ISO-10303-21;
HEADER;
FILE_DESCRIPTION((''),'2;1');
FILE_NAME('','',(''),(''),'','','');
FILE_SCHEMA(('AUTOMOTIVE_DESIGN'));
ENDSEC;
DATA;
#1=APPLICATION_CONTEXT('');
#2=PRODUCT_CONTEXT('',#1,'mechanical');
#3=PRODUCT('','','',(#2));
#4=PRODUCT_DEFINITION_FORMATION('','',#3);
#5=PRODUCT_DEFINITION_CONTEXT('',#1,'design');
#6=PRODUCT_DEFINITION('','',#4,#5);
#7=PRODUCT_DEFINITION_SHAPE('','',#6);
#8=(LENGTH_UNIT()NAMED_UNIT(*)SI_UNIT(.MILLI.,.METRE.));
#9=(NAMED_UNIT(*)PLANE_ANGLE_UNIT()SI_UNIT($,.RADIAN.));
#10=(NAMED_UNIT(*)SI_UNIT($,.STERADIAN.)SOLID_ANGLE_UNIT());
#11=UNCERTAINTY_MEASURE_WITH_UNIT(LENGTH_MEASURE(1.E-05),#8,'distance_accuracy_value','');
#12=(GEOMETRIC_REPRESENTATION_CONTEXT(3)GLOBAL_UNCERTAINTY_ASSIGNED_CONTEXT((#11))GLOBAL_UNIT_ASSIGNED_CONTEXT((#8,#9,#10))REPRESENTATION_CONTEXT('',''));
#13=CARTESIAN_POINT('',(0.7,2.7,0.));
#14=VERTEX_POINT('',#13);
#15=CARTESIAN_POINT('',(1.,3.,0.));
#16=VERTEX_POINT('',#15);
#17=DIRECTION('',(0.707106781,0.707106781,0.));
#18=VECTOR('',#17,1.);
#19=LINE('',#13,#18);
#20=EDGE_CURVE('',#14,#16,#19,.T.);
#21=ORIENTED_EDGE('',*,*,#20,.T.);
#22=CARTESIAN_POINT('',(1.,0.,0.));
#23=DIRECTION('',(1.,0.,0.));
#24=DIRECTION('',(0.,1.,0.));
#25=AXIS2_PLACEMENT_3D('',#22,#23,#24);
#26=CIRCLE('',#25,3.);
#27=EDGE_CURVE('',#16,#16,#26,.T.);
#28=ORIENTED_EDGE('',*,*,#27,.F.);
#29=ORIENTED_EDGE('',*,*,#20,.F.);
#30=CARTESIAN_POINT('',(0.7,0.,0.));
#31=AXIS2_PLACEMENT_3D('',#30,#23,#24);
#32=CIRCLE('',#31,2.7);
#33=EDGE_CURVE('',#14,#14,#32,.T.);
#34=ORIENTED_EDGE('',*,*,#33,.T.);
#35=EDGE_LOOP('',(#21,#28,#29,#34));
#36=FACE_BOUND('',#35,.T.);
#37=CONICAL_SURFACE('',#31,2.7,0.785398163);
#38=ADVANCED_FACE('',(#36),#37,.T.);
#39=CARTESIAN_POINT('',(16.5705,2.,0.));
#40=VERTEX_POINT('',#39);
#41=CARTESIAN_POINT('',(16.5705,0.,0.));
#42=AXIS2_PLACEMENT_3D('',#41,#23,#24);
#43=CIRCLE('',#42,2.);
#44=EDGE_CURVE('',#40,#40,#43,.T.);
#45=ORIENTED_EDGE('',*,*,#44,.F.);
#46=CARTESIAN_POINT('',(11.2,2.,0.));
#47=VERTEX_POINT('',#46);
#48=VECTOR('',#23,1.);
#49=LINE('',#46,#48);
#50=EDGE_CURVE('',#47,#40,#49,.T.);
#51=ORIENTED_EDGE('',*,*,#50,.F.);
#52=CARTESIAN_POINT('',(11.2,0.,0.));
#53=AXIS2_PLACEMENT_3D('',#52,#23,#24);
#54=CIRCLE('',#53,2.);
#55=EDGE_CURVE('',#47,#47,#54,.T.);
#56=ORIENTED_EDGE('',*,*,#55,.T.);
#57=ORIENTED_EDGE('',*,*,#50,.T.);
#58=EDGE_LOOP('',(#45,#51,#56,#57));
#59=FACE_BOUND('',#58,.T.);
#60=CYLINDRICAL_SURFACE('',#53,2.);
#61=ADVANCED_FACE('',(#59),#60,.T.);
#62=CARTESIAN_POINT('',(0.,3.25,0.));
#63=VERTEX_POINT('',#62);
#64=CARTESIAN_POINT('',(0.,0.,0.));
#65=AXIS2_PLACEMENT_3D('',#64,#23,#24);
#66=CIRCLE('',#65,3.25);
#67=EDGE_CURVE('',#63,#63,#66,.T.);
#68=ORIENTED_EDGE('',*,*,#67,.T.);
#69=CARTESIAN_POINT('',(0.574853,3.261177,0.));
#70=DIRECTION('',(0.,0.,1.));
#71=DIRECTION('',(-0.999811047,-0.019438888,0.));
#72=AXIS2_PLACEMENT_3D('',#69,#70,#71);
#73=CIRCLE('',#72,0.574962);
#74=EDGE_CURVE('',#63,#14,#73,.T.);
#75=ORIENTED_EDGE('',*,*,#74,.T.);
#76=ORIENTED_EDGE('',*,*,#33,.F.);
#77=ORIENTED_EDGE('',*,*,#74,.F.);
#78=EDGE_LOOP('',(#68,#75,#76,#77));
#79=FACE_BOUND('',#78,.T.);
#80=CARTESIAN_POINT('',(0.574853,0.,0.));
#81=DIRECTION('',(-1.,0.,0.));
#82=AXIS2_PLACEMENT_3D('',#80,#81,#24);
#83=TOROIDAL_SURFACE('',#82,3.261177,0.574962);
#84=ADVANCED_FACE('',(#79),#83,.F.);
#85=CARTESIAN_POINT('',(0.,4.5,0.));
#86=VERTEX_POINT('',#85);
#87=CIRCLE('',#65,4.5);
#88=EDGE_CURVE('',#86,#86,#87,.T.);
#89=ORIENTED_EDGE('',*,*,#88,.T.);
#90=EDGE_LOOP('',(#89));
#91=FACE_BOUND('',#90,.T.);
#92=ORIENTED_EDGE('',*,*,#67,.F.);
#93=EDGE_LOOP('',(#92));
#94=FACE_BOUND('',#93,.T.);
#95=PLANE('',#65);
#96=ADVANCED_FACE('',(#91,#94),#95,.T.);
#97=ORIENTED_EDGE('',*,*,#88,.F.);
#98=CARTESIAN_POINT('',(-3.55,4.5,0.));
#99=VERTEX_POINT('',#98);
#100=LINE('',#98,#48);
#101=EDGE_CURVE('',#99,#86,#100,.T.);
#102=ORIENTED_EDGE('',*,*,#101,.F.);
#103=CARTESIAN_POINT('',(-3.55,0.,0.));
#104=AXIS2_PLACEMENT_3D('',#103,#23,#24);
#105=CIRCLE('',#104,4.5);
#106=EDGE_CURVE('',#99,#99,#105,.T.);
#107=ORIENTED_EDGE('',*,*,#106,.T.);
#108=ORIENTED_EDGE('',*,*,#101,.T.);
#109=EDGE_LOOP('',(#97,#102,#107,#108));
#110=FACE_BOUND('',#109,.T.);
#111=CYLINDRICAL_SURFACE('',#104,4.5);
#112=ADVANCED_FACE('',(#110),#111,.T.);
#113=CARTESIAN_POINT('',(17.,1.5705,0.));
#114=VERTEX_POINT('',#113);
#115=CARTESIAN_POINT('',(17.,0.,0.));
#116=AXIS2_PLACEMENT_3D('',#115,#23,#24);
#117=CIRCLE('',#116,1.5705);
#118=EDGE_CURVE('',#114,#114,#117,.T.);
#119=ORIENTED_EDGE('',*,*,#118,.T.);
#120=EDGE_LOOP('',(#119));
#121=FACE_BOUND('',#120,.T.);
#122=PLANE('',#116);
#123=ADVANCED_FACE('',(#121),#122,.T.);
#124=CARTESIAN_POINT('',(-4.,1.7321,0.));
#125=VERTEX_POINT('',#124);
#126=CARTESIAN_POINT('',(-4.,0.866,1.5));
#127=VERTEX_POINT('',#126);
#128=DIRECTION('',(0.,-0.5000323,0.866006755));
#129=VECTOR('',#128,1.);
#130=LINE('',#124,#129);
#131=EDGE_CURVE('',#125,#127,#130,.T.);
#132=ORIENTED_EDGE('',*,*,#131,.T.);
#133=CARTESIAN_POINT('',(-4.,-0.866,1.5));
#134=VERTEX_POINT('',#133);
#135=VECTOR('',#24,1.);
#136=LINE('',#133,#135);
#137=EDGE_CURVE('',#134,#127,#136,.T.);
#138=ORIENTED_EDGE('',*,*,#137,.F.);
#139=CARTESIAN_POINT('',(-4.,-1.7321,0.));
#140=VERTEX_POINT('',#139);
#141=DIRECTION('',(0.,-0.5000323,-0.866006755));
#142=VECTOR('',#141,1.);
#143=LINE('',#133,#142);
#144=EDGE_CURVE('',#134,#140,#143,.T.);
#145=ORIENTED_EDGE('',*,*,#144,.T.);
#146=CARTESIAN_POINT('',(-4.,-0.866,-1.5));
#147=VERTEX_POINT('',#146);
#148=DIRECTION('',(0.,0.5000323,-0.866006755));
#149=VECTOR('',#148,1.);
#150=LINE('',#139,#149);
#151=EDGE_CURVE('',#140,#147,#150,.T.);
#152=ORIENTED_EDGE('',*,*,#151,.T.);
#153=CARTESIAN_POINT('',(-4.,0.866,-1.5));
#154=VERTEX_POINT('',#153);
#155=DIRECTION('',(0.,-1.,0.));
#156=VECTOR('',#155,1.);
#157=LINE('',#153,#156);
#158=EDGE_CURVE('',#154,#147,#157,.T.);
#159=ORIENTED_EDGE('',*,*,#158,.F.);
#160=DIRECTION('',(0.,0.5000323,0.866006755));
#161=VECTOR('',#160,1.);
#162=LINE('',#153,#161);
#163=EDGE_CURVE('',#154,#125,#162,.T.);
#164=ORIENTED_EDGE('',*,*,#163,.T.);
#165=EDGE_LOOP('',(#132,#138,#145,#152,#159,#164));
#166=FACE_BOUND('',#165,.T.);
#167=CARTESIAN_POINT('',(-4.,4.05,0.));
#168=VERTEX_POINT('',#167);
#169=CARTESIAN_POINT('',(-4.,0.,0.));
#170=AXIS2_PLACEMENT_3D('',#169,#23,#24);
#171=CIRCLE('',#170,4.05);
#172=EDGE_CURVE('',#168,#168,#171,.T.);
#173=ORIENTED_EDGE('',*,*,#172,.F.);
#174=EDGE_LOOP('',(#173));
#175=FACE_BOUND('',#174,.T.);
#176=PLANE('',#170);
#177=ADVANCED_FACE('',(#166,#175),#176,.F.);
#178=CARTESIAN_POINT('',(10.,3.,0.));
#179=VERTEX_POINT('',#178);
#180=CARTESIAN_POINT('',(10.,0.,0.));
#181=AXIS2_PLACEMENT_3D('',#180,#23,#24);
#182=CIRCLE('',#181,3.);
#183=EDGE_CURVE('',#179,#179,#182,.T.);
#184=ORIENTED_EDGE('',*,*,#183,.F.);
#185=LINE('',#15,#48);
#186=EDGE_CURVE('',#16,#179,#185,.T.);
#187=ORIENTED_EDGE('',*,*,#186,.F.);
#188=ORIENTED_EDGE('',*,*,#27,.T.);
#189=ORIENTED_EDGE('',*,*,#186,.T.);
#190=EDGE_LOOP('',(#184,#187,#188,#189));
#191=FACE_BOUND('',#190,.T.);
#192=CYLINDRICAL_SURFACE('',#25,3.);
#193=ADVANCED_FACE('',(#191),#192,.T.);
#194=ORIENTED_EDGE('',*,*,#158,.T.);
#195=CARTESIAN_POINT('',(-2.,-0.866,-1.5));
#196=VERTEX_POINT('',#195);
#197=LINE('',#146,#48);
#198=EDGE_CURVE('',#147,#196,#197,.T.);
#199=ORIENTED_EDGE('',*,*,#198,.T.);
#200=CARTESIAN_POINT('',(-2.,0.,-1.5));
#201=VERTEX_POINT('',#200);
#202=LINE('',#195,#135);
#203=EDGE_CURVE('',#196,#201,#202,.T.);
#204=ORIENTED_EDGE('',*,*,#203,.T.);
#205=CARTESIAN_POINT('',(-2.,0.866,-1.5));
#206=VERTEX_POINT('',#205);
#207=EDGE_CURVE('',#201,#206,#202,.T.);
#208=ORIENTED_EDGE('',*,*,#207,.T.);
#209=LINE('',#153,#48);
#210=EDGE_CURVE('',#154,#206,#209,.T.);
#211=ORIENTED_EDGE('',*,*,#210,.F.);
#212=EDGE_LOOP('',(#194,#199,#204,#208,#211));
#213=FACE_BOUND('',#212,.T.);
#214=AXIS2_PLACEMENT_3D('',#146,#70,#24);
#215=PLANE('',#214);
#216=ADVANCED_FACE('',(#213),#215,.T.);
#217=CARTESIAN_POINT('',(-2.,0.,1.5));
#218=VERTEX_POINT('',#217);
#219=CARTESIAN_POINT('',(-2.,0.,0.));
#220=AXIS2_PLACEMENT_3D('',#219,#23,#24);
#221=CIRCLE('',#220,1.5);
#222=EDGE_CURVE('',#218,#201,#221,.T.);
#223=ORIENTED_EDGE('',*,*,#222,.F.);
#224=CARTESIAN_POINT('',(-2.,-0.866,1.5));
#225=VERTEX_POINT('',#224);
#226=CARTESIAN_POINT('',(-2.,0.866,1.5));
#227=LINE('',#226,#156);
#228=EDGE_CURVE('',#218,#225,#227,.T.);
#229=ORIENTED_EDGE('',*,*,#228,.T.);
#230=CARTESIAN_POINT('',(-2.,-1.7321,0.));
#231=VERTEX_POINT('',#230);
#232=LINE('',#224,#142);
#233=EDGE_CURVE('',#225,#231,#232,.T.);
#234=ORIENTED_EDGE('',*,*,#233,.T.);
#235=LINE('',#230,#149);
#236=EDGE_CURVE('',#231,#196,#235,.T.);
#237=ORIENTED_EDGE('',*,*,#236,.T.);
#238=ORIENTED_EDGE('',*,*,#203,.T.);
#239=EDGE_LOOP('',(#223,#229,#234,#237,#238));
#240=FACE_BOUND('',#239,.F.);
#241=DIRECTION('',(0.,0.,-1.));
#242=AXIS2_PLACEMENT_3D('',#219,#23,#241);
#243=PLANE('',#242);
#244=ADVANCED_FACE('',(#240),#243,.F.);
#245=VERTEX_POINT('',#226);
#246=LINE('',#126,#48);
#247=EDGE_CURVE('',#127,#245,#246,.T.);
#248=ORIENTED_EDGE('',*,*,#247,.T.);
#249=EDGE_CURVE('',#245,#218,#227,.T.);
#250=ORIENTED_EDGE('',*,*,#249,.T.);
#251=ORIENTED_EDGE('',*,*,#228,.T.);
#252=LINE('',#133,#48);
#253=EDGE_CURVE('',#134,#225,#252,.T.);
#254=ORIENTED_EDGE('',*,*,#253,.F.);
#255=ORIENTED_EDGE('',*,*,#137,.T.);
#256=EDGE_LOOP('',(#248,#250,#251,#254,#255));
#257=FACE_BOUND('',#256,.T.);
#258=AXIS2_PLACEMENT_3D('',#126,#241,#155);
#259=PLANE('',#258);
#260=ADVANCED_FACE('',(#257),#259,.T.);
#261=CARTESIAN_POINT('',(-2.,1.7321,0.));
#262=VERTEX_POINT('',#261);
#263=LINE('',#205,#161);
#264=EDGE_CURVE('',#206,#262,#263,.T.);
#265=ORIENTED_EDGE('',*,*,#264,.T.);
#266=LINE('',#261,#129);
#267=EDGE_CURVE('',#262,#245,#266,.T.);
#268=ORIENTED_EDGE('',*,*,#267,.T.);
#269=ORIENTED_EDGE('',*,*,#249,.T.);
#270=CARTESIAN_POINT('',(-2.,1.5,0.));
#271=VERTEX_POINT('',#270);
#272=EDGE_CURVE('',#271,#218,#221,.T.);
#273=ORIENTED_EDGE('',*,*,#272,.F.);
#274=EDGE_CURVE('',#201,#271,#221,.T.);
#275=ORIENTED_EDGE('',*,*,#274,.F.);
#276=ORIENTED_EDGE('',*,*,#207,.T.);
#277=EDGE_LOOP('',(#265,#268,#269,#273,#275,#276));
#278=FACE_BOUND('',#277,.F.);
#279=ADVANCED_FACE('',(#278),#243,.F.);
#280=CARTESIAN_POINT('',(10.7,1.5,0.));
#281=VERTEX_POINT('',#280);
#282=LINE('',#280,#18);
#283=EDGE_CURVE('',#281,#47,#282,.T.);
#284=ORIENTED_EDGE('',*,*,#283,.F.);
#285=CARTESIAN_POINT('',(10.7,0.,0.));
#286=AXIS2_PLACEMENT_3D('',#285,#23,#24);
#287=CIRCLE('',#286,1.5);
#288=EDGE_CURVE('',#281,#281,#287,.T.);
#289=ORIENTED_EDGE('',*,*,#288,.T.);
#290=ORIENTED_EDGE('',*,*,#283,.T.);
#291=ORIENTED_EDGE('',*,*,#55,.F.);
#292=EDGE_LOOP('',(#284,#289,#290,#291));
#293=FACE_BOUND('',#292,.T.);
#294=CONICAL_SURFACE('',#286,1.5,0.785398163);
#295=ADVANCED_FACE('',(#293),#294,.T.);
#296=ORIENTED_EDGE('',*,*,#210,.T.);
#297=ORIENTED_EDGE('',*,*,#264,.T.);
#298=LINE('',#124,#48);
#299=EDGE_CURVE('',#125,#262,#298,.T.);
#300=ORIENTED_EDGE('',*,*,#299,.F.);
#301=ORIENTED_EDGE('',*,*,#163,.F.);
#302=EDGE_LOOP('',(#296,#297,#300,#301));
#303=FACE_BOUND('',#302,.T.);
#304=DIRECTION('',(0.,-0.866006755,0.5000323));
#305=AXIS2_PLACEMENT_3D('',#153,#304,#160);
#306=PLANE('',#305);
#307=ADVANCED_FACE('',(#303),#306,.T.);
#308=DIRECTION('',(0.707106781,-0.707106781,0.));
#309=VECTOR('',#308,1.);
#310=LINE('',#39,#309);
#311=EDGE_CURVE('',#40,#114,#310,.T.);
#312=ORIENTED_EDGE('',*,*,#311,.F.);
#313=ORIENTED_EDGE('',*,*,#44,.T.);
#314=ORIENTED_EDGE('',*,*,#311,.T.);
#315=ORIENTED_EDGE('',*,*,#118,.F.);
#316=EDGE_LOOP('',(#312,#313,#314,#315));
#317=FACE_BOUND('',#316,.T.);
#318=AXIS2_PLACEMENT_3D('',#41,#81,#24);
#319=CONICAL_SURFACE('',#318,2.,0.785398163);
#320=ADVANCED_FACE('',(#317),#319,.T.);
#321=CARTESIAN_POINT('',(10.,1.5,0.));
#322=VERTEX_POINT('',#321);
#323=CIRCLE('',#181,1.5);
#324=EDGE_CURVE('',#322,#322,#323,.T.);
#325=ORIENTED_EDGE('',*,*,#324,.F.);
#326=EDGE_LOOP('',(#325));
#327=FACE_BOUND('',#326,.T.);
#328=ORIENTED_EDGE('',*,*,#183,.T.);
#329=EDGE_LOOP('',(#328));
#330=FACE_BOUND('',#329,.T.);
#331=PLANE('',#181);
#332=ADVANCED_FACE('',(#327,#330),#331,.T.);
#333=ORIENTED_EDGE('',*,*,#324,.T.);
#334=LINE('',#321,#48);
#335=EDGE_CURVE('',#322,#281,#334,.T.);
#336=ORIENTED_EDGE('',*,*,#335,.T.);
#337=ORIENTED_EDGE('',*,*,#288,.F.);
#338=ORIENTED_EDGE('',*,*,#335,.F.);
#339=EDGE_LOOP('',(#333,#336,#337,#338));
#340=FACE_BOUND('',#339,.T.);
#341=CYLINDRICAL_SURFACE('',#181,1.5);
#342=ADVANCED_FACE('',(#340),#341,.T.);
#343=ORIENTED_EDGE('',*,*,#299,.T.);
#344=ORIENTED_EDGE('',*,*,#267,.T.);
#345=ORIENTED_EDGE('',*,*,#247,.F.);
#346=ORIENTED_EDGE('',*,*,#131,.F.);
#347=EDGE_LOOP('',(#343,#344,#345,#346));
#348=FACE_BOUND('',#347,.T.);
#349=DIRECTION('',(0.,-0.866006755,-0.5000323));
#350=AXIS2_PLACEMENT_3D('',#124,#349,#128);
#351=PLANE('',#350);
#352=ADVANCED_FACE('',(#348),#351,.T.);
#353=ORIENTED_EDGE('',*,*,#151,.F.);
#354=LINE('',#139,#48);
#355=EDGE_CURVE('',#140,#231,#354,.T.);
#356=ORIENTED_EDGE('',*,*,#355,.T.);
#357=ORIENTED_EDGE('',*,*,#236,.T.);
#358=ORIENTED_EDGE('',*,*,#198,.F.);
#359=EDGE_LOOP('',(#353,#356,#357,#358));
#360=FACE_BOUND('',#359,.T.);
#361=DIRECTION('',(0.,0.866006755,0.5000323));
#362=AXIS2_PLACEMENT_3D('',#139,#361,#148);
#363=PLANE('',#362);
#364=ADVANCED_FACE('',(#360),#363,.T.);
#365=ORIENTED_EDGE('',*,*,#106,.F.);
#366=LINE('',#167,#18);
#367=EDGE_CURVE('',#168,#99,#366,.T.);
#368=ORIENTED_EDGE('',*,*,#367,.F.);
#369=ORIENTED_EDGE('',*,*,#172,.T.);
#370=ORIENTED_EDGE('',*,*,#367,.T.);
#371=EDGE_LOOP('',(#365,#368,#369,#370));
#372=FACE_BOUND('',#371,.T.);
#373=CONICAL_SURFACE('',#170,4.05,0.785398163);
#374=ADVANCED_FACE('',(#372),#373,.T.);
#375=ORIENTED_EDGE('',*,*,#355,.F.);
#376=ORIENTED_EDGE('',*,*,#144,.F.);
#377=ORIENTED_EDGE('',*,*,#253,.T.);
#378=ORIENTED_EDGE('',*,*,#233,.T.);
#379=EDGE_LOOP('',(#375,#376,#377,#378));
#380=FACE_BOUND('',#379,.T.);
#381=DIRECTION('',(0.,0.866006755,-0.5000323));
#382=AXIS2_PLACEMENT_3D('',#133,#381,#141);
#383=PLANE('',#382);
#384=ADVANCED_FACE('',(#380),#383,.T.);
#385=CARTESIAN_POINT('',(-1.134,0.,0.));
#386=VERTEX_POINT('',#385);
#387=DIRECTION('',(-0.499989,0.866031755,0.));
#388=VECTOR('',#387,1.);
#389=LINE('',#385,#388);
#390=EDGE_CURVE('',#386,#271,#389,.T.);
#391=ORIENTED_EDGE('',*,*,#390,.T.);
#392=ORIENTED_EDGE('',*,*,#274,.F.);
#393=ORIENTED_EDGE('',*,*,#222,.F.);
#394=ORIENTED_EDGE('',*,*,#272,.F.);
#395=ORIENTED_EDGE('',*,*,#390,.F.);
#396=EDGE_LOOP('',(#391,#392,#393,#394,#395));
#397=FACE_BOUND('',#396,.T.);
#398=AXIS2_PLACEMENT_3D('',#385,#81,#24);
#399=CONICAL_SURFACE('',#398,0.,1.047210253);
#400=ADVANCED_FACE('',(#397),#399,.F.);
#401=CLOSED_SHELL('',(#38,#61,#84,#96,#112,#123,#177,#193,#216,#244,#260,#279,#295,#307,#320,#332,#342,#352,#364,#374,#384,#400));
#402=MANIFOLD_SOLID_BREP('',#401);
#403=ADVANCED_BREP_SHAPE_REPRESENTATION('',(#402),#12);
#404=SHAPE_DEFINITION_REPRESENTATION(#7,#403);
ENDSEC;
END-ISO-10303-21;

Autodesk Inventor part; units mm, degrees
ref_plane "YZ Plane" through (0, 0, 0) normal (1, 0, 0) x (0, 1, 0)
ref_plane "XZ Plane" through (0, 0, 0) normal (0, 1, 0) x (-1, 0, 0)
ref_plane "XY Plane" through (0, 0, 0) normal (0, 0, 1) x (1, 0, 0)
sketch "Sketch_7" plane through (0, 0, 0) normal (0, 0, 1) x (1, 0, 0)
  line L0 (22, 0) -> (-1.134, 0)
  line L1 (-1.134, 0) -> (-2, 1.5)
  line L2 (-2, 1.5) -> (-4, 1.5)
  line L3 (-4, 1.5) -> (-4, 4.05)
  line L4 (-4, 4.05) -> (-3.55, 4.5)
  line L5 (-3.55, 4.5) -> (0, 4.5)
  line L6 (0, 4.5) -> (0, 3.25)
  arc A0 (0, 3.25) -> (0.7, 2.7) centre (0.5749, 3.2612) ccw
  line L7 (0.7, 2.7) -> (1, 3)
  line L8 (1, 3) -> (10, 3)
  line L9 (10, 3) -> (10, 1.5)
  line L10 (10, 1.5) -> (10.7, 1.5)
  line L11 (10.7, 1.5) -> (11.2, 2)
  line L12 (11.2, 2) -> (16.5705, 2)
  line L13 (16.5705, 2) -> (17, 1.5705)
  line L14 (17, 1.5705) -> (17, 0)
  line L15 (17, 0) -> (-1.134, 0)
  dimension "d5" = 1.5705
  dimension "d6" = 5.3705
  dimension "d7" = 0.4295
  dimension "d8" = 0.4295
  dimension "d9" = 0.5
  dimension "d10" = 0.5
  dimension "d11" = 0.7
  dimension "d12" = 1.5
  dimension "d13" = 9
revolve "Revolution1" add sketch "Sketch_7" angle 360 about axis through (22, 0, 0) along (1, 0, 0)
thread "Thread1" size "M4x0.7" class "6g" standard "ISO Metric profile" full length
sketch "Sketch_4" plane through (-4, 0, 0) normal (1, 0, 0) x (0, 0, -1)
  line L0 (-1.5, -0.866) -> (0, -1.7321)
  line L1 (0, -1.7321) -> (1.5, -0.866)
  line L2 (1.5, -0.866) -> (1.5, 0.866)
  line L3 (1.5, 0.866) -> (0, 1.7321)
  line L4 (0, 1.7321) -> (-1.5, 0.866)
  line L5 (-1.5, 0.866) -> (-1.5, -0.866)
extrude "Extrusion1" cut sketch "Sketch_4" along normal blind 2
properties part number "MSB6-10" material "鋼、炭素鋼"
